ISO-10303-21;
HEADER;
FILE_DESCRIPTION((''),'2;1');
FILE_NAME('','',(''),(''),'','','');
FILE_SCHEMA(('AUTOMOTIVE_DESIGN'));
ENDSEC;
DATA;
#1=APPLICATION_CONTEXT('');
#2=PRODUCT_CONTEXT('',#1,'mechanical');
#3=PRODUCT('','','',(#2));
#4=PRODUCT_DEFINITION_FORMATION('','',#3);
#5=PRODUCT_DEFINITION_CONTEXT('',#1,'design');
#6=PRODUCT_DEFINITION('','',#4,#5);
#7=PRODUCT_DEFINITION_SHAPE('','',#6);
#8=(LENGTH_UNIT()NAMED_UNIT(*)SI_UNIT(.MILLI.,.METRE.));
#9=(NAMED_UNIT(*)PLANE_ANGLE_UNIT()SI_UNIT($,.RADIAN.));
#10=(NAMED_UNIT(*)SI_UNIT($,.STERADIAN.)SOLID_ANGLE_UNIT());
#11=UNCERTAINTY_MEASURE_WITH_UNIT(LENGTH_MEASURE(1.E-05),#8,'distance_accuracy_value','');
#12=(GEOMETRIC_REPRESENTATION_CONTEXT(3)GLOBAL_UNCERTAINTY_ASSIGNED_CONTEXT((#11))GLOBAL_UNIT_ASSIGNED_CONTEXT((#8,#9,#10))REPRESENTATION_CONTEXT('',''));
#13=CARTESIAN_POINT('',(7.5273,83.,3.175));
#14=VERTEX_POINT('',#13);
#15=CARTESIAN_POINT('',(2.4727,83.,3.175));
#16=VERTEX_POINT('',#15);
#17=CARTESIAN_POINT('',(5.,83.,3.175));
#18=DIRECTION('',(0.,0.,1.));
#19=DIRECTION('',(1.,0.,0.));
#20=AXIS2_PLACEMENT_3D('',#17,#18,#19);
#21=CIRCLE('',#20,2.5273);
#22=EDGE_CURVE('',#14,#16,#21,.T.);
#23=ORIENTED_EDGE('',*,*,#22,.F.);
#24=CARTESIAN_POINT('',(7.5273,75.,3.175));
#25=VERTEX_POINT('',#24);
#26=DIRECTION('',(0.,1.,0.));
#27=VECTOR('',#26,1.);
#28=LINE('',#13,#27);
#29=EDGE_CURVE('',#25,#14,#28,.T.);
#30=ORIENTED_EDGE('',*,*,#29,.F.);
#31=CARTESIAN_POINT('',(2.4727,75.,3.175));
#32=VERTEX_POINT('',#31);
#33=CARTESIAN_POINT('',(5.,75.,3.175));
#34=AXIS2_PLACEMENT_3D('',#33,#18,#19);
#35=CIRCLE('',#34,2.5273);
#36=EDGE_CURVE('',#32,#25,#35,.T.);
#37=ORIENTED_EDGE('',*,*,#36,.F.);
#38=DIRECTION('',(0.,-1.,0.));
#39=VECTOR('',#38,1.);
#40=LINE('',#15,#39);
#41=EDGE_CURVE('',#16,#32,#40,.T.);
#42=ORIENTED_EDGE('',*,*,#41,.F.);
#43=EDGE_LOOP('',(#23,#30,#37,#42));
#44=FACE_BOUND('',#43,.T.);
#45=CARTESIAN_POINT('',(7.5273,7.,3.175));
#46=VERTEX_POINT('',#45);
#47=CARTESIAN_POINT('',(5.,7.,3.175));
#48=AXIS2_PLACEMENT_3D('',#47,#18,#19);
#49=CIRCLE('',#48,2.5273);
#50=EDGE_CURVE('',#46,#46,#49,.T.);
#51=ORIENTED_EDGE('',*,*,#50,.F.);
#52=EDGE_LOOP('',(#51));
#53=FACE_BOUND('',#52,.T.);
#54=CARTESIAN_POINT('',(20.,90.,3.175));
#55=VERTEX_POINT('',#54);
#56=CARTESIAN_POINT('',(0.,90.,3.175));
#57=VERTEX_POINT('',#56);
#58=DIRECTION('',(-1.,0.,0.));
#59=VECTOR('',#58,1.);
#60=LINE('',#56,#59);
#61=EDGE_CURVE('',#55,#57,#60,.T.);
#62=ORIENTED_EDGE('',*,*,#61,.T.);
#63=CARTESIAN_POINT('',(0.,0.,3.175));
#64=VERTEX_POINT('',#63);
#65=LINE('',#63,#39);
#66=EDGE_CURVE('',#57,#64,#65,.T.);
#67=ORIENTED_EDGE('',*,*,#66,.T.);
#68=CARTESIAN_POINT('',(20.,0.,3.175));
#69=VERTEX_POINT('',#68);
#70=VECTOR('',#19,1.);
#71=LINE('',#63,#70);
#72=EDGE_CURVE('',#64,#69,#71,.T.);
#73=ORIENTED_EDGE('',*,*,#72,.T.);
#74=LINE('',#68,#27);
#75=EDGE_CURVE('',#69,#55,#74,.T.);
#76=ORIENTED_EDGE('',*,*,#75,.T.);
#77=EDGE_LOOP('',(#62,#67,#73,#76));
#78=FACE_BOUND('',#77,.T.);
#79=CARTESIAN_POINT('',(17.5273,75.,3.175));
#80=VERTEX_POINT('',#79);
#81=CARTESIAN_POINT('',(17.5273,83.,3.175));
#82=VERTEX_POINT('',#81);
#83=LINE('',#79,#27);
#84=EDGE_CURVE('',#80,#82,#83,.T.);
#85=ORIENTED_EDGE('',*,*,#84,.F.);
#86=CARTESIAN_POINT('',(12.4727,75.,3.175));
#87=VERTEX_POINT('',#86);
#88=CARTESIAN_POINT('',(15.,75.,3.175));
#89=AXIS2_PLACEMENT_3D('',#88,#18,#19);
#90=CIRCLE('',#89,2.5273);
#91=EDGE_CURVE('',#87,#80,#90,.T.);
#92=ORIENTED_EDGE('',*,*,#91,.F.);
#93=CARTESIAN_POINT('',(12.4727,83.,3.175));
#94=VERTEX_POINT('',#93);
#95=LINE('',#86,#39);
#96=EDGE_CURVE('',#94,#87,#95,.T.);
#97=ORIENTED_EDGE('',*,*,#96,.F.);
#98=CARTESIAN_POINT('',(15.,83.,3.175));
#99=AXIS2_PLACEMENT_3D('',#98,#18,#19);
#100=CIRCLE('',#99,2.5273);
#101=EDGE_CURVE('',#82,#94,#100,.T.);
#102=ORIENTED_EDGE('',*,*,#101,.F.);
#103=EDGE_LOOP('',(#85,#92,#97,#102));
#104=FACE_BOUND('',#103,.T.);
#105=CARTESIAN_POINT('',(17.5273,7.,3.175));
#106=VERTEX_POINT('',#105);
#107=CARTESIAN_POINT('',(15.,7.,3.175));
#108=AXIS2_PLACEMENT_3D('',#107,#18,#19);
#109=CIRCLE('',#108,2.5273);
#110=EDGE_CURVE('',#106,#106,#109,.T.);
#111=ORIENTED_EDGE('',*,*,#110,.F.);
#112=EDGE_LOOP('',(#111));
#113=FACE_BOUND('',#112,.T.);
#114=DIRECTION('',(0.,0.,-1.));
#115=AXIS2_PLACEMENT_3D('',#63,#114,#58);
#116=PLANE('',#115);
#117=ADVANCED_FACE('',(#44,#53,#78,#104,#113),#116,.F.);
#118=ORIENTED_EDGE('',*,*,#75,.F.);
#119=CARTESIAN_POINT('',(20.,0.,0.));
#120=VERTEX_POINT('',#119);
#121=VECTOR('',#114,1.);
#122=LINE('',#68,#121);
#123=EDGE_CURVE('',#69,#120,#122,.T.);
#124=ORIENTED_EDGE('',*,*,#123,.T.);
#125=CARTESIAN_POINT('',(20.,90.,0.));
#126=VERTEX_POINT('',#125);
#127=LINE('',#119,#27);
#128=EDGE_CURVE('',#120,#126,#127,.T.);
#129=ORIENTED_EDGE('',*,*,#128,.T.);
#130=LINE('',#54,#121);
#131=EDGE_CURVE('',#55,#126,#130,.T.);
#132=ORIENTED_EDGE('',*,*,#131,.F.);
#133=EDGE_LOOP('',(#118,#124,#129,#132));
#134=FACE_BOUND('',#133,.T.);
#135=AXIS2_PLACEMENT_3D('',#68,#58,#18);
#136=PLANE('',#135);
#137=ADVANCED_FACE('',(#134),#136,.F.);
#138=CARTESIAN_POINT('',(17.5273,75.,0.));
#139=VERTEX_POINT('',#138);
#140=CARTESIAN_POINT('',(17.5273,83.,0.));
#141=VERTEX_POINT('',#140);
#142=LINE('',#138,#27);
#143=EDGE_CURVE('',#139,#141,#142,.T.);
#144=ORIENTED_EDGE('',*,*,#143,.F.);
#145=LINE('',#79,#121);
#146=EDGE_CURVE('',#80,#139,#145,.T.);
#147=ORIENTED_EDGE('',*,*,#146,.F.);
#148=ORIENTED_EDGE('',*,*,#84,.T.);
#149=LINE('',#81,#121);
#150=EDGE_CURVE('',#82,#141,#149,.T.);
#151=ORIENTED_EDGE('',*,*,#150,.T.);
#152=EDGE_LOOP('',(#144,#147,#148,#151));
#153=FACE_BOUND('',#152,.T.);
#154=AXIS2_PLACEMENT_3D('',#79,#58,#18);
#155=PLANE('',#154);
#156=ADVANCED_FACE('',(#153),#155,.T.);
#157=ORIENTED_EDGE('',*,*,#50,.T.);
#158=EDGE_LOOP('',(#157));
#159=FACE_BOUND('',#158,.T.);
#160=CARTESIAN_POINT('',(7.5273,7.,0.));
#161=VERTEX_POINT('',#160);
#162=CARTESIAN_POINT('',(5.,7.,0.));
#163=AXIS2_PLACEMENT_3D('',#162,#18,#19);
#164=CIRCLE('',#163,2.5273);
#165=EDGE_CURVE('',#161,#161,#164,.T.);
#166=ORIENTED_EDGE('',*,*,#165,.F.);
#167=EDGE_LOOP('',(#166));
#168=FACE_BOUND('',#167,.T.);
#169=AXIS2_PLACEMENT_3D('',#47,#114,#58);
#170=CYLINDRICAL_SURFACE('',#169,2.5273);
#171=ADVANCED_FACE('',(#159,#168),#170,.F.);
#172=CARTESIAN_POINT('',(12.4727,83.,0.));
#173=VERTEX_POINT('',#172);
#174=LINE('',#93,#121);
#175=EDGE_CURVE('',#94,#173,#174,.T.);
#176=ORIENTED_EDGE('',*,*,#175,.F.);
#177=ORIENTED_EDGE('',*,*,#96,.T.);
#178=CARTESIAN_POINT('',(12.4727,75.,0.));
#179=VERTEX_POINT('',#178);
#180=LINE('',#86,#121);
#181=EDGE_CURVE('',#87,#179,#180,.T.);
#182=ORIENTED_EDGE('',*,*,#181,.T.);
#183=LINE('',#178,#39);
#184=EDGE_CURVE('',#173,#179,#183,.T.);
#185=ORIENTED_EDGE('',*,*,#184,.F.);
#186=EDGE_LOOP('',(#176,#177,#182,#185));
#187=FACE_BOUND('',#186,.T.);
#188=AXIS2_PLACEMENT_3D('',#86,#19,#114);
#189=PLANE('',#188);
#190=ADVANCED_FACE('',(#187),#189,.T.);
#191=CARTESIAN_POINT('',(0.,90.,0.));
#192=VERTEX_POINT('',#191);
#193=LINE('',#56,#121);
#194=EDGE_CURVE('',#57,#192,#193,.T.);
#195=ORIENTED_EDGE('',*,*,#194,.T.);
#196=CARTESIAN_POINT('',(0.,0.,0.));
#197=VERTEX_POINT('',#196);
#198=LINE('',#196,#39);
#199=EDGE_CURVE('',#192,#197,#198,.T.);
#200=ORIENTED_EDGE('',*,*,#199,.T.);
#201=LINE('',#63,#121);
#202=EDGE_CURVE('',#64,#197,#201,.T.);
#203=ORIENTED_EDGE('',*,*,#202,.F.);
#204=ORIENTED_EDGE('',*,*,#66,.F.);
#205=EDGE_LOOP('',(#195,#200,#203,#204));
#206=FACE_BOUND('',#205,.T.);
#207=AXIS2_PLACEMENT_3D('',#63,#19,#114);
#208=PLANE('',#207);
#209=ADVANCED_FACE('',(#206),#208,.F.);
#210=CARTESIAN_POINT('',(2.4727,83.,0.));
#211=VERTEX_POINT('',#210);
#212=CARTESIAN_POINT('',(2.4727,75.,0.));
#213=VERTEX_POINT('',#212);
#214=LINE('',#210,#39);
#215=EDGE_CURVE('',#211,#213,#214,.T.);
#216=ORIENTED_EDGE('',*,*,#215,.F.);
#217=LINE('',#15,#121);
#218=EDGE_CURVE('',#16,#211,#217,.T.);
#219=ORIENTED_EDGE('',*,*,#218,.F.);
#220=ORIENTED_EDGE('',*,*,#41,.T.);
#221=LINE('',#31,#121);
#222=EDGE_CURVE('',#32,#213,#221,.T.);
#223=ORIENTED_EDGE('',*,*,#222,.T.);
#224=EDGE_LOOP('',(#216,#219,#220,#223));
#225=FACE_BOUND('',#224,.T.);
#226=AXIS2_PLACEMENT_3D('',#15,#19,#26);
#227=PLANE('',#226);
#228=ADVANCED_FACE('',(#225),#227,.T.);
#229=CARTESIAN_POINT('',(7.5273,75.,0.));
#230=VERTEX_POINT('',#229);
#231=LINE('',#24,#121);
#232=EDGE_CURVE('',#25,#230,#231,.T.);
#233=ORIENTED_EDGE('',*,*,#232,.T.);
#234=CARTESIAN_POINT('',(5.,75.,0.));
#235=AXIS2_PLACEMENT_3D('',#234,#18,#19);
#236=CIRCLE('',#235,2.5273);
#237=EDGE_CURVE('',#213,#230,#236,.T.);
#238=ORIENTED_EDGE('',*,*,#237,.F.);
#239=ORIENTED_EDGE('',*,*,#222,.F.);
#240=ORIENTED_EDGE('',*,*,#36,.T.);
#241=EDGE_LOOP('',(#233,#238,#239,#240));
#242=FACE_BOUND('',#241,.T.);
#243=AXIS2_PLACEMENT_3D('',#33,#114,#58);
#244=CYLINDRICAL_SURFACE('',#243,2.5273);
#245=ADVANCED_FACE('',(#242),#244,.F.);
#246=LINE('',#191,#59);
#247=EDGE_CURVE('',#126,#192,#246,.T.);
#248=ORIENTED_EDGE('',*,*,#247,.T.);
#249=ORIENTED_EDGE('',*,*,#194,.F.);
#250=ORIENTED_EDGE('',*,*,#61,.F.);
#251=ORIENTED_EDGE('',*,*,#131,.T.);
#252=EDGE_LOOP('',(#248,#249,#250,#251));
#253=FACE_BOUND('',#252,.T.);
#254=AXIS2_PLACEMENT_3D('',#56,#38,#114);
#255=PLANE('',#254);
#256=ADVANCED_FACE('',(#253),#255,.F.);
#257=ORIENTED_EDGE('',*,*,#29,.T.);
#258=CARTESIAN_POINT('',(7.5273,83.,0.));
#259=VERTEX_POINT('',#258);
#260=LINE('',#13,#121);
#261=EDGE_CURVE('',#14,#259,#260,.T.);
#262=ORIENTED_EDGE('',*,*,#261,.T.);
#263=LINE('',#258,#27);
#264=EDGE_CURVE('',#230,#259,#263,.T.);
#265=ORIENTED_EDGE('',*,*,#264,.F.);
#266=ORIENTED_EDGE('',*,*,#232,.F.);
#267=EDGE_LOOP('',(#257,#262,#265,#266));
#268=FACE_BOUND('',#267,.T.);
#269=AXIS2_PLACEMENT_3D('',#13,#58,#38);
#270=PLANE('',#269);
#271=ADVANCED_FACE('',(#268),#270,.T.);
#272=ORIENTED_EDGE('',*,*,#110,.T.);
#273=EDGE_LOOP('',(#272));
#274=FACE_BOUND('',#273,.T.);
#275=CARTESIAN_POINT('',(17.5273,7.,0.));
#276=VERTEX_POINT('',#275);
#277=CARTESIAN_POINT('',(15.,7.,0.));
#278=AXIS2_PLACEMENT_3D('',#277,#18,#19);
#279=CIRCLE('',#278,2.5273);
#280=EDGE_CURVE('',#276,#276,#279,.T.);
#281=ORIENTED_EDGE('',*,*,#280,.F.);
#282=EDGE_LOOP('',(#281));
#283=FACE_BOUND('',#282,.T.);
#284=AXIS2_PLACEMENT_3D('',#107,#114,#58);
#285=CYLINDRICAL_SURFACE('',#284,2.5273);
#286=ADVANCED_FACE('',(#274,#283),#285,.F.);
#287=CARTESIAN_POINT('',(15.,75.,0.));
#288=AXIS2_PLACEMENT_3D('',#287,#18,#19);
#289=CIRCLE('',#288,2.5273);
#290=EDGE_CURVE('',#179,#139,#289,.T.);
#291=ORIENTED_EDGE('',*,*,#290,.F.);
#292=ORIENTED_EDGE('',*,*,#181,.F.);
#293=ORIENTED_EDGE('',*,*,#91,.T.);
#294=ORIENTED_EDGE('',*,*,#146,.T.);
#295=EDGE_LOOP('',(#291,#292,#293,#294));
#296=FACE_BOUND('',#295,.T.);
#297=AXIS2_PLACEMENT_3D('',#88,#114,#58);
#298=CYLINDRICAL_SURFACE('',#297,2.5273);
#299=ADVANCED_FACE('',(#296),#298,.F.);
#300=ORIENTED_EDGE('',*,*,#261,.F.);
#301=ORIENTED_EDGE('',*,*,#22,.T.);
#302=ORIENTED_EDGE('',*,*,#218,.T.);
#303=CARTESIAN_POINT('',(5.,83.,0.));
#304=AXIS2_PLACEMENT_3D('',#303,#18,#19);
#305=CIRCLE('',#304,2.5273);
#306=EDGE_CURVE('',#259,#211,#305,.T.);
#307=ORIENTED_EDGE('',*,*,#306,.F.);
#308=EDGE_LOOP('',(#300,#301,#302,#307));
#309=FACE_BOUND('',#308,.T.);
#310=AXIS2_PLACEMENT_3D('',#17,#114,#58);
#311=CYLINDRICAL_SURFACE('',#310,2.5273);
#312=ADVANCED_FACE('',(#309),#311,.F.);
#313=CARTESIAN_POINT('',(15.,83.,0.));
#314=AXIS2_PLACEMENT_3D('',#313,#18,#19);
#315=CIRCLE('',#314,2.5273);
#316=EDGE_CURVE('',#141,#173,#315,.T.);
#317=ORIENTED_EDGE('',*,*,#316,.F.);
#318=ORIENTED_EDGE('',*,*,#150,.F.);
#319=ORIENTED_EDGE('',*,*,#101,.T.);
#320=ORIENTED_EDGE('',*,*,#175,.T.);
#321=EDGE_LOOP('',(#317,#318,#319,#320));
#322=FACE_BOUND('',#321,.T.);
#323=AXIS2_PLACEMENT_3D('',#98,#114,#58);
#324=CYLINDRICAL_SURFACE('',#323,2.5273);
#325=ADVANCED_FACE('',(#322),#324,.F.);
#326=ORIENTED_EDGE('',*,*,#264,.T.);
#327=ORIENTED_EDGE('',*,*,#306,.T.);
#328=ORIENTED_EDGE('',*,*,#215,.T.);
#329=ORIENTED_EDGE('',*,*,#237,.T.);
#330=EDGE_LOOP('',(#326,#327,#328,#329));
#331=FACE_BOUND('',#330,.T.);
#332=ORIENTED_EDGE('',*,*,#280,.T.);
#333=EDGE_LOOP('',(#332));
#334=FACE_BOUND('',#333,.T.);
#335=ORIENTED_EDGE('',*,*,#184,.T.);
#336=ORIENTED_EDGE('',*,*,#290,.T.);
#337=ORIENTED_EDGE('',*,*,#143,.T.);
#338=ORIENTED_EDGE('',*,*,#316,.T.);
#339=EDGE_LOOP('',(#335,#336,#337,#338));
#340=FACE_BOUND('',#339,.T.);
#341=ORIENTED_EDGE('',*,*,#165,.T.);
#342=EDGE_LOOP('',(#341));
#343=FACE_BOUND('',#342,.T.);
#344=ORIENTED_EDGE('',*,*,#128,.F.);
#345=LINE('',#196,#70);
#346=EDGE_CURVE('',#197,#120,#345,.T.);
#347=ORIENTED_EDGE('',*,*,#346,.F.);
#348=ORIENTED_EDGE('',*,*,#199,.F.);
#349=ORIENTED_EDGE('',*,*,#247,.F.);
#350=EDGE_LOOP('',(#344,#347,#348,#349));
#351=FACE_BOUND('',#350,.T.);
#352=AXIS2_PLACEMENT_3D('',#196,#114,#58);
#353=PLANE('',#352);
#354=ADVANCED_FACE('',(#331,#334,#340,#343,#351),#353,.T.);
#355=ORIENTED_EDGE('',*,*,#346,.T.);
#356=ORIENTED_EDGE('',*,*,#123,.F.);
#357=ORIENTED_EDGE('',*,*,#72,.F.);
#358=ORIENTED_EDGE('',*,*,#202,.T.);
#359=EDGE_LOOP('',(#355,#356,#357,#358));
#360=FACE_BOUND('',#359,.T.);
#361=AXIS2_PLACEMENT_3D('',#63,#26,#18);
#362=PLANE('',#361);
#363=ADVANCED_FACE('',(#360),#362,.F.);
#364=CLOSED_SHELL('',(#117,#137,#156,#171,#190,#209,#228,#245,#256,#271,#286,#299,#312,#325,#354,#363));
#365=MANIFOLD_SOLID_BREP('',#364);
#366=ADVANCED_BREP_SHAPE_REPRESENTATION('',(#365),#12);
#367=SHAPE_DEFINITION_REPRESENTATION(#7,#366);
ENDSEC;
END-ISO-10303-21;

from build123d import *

# Parameters (mm, degrees)
SKETCH1_W           = 20
SKETCH1_H           = 90
SKETCH1_R           = 2.5273
BOSS_EXTRUDE1_DEPTH = 3.175


with BuildPart() as part:
    # Sketch1 → Boss-Extrude1 (new body)
    with BuildSketch(Plane.XY):
        with Locations((10, 45)):
            Rectangle(SKETCH1_W, SKETCH1_H)
        with Locations((5, 7)):
            Circle(SKETCH1_R, mode=Mode.SUBTRACT)
        with Locations((15, 7)):
            Circle(SKETCH1_R, mode=Mode.SUBTRACT)
        with BuildLine():
            Line((7.5273, 83), (7.5273, 75))
            ThreePointArc((7.5273, 75), (5, 72.4727), (2.4727, 75))
            Line((2.4727, 75), (2.4727, 83))
            ThreePointArc((2.4727, 83), (5, 85.5273), (7.5273, 83))
        make_face(mode=Mode.SUBTRACT)
        with BuildLine():
            Line((12.4727, 75), (12.4727, 83))
            ThreePointArc((12.4727, 83), (15, 85.5273), (17.5273, 83))
            Line((17.5273, 83), (17.5273, 75))
            ThreePointArc((17.5273, 75), (15, 72.4727), (12.4727, 75))
        make_face(mode=Mode.SUBTRACT)
    extrude(amount=BOSS_EXTRUDE1_DEPTH)


solid = part.part
